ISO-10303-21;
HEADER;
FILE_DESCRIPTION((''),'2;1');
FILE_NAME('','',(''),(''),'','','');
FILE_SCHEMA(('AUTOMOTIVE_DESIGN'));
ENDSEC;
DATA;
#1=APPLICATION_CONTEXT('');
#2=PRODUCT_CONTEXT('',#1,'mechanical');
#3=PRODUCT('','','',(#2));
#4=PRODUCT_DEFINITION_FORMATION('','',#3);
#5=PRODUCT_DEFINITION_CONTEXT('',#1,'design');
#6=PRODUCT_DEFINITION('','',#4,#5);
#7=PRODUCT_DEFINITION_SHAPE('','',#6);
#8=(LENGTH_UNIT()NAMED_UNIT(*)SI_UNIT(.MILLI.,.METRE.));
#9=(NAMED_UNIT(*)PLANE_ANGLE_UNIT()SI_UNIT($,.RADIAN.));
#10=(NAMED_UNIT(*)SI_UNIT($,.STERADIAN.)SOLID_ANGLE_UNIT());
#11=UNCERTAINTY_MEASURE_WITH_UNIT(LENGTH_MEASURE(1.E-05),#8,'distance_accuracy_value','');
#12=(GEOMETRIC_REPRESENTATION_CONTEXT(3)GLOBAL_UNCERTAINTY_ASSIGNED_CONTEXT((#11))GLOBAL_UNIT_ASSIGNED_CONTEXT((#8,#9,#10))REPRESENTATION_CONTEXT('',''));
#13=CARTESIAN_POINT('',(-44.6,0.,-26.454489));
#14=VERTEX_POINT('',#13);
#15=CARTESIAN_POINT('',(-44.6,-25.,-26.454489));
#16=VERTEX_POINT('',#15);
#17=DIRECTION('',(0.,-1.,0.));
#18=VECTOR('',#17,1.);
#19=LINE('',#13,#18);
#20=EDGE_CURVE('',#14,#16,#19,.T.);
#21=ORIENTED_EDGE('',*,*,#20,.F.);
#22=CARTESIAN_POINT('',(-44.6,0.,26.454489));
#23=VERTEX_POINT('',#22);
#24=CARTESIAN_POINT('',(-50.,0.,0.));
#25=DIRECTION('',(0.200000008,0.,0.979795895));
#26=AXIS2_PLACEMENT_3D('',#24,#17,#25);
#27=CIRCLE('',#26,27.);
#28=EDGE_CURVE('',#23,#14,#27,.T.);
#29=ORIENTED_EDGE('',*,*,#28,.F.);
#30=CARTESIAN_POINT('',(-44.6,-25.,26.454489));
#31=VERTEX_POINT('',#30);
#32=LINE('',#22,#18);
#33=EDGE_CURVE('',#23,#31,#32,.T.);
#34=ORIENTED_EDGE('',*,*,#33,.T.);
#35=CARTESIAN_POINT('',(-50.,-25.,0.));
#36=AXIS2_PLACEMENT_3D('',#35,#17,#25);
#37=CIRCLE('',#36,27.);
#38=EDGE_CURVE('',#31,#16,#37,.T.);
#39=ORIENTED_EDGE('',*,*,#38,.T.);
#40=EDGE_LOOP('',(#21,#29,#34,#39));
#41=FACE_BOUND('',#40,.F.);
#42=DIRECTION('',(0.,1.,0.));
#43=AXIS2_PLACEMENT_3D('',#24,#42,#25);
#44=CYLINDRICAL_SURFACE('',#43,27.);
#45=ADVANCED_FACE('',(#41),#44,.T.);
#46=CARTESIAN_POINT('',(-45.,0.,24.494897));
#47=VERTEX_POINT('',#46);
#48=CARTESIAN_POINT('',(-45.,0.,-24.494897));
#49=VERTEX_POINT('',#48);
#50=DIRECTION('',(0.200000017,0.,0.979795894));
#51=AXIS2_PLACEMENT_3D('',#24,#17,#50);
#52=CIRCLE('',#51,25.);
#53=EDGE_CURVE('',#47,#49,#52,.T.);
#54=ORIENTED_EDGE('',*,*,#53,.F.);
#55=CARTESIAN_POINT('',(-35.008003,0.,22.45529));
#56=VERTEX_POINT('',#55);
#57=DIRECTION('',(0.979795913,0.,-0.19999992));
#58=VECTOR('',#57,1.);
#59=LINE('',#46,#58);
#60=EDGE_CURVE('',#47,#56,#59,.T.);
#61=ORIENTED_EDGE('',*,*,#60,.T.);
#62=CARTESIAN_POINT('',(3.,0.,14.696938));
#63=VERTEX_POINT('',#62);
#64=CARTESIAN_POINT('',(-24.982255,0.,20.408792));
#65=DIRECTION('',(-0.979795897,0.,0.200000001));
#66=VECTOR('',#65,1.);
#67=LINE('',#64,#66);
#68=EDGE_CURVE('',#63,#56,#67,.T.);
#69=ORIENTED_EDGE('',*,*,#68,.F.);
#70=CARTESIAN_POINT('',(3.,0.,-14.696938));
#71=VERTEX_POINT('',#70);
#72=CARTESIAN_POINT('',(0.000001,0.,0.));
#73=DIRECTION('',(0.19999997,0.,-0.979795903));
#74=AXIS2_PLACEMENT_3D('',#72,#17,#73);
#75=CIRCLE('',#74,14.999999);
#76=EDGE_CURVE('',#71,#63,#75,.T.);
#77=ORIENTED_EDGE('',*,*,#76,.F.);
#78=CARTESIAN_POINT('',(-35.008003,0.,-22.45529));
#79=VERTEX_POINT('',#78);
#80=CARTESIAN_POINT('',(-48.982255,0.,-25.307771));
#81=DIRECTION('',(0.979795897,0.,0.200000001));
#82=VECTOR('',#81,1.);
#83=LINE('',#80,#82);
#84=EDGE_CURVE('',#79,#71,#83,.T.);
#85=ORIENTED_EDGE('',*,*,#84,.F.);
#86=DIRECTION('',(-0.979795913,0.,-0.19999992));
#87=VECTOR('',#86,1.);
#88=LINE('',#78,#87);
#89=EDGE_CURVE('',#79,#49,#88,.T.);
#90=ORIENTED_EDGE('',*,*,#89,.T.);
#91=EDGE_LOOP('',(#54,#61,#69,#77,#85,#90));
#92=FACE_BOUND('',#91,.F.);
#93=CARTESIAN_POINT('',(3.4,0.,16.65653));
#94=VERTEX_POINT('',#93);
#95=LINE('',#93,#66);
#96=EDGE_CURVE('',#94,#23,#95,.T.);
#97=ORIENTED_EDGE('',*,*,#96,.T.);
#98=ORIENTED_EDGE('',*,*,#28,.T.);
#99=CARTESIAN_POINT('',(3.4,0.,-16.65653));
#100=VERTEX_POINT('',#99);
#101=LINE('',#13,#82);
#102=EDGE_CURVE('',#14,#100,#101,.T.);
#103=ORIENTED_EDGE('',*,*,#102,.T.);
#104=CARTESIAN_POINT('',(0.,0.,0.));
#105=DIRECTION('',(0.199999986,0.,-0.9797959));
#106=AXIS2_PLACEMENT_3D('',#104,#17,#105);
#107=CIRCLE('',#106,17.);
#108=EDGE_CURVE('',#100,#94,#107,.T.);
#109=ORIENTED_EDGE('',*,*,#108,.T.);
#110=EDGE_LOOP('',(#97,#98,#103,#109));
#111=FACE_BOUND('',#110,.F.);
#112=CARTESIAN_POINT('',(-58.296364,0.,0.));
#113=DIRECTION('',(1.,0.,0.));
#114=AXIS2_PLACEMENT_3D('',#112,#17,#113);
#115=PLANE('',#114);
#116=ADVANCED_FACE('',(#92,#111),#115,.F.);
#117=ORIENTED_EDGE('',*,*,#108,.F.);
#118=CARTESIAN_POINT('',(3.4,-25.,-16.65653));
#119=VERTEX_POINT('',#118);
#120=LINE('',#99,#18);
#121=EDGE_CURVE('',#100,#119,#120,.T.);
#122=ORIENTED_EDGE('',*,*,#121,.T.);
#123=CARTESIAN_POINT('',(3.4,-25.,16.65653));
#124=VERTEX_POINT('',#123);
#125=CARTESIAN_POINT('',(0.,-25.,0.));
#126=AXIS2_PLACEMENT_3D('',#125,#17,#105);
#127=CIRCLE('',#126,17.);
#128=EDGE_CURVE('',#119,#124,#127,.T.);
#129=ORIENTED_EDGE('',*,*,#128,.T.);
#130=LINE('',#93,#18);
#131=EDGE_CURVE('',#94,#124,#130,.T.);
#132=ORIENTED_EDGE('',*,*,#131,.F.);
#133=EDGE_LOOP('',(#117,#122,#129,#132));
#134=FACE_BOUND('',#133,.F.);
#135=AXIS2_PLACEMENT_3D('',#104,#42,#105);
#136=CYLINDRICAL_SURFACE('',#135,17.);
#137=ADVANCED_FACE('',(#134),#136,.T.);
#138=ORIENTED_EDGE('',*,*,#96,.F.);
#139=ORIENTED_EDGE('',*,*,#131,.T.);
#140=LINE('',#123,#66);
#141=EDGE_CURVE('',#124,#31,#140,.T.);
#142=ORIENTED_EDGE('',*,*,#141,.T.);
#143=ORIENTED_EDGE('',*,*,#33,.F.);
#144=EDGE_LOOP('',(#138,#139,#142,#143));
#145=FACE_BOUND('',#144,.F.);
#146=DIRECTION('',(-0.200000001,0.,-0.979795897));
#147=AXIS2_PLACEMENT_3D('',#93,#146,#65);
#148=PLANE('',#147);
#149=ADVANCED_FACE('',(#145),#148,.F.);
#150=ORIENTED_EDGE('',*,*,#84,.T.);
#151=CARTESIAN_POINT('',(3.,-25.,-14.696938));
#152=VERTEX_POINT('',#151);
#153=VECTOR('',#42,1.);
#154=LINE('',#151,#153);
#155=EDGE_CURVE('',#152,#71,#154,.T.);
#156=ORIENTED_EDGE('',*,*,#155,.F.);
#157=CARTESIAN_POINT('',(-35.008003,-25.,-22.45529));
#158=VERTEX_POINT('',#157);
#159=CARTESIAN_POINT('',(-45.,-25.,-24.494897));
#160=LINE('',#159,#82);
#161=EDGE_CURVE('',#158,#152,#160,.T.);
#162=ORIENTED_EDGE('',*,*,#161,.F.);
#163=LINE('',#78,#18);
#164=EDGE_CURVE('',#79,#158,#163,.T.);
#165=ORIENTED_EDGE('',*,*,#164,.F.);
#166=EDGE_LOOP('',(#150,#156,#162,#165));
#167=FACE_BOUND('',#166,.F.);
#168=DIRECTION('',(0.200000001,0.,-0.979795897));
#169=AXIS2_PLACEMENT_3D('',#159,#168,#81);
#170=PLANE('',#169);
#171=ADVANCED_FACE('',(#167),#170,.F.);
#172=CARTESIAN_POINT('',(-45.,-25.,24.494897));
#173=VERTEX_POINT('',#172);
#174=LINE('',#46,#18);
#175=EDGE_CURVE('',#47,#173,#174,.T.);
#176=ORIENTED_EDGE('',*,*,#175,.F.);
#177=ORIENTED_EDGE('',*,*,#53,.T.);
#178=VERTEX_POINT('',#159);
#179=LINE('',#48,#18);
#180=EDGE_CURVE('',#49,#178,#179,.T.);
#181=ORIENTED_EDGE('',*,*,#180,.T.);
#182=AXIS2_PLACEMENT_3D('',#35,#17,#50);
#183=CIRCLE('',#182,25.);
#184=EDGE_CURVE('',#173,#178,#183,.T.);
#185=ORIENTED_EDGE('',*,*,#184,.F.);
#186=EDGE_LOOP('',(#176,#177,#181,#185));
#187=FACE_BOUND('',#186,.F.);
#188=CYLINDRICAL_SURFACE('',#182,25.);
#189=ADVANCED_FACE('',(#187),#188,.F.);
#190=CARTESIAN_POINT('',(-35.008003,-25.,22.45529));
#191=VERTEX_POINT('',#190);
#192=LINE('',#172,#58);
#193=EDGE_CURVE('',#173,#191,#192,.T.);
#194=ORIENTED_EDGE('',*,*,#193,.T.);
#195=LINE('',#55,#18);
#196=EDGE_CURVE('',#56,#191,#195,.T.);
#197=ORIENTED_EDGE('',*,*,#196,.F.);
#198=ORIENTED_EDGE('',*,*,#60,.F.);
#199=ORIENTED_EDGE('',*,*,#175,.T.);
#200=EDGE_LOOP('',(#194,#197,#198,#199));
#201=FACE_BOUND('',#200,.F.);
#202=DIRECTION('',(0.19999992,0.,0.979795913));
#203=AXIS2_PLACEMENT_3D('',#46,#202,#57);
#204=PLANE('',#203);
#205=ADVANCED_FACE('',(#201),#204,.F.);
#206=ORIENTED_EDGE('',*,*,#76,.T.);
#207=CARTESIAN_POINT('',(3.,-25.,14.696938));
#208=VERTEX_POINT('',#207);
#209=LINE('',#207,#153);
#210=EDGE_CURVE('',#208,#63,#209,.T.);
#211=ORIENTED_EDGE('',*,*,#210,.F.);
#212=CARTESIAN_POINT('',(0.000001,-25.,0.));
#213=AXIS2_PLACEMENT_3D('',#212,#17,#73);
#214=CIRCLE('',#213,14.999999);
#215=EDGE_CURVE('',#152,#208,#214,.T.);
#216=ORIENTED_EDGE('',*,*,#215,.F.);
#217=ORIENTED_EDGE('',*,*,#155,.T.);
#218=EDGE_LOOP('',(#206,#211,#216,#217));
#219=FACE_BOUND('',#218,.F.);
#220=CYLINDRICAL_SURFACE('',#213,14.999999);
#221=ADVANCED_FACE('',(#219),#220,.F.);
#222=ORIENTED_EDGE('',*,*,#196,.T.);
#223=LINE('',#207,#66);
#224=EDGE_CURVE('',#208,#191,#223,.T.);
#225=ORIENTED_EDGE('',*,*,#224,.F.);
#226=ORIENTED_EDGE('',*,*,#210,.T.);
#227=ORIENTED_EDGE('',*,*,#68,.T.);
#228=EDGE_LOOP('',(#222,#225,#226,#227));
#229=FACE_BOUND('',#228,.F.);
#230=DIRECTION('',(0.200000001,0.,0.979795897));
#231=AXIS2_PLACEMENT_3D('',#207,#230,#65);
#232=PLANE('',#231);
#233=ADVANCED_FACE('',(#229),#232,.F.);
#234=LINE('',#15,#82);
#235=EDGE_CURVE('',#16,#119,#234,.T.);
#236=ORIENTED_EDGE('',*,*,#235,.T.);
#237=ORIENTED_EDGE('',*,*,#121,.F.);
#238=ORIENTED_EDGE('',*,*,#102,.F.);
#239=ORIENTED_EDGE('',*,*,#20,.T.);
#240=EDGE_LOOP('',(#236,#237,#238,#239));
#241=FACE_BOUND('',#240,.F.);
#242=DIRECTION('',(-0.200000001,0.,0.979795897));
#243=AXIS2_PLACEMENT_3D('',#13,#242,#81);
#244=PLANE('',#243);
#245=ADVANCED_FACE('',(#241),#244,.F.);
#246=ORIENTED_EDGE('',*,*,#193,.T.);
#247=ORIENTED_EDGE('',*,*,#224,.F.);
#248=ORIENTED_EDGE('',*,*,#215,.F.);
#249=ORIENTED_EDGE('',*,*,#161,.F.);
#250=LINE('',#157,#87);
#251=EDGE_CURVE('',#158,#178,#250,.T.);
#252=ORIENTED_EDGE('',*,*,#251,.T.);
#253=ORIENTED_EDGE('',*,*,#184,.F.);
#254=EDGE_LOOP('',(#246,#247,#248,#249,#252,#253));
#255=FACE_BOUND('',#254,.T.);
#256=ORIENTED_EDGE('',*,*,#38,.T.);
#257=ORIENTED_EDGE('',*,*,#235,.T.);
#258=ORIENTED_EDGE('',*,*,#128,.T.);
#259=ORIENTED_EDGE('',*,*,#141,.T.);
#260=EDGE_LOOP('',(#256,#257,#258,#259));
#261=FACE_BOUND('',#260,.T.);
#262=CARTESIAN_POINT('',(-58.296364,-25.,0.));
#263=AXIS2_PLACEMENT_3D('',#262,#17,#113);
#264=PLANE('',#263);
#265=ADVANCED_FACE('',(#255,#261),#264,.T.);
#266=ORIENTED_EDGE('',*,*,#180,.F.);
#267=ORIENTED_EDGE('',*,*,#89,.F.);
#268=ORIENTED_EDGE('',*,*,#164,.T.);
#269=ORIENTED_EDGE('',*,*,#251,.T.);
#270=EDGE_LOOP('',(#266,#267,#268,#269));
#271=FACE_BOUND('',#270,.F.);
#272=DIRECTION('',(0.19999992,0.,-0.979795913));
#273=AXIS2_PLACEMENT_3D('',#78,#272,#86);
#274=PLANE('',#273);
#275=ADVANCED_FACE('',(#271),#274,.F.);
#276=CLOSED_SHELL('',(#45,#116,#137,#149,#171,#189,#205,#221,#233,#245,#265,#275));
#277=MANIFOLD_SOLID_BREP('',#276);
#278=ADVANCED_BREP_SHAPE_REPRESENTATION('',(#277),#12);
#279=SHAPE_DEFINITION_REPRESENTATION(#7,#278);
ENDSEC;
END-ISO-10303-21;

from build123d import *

# Parameters (mm, degrees)
F0_R     = 15
F1_DEPTH = 25
F3_DEPTH = 25.001


with BuildPart() as f1:
    # F0 (on Front) → F1 (new body)
    with BuildSketch(Plane.XZ):
        with BuildLine():
            ThreePointArc((-45, -24.494897), (-75, 0), (-45, 24.494897))
            Line((-45, 24.494897), (-35.008003, 22.45529))
            ThreePointArc((-35.008003, 22.45529), (-39.609775, 24.920739), (-44.6, 26.454489))
            ThreePointArc((-44.6, 26.454489), (-77, 0), (-44.6, -26.454489))
            ThreePointArc((-44.6, -26.454489), (-39.609775, -24.920739), (-35.008003, -22.45529))
            Line((-35.008003, -22.45529), (-45, -24.494897))
        make_face()
        with BuildLine():
            ThreePointArc((-44.6, 26.454489), (-39.609775, 24.920739), (-35.008003, 22.45529))
            Line((-35.008003, 22.45529), (-4.838367, 16.296938))
            ThreePointArc((-4.838367, 16.296938), (-0.741317, 16.983829), (3.4, 16.65653))
            Line((3.4, 16.65653), (-44.6, 26.454489))
        make_face()
        with BuildLine():
            Line((-4.838367, 16.296938), (-35.008003, 22.45529))
            ThreePointArc((-35.008003, 22.45529), (-26.190507, 12.732166), (-23, 0))
            ThreePointArc((-23, 0), (-26.190507, -12.732166), (-35.008003, -22.45529))
            Line((-35.008003, -22.45529), (-4.838367, -16.296938))
            ThreePointArc((-4.838367, -16.296938), (-0.741317, -16.983829), (3.4, -16.65653))
            ThreePointArc((3.4, -16.65653), (17, 0), (3.4, 16.65653))
            ThreePointArc((3.4, 16.65653), (-0.741317, 16.983829), (-4.838367, 16.296938))
        make_face()
        Circle(F0_R, mode=Mode.SUBTRACT)
        with BuildLine():
            Line((-4.838367, -16.296938), (-35.008003, -22.45529))
            ThreePointArc((-35.008003, -22.45529), (-39.609775, -24.920739), (-44.6, -26.454489))
            Line((-44.6, -26.454489), (3.4, -16.65653))
            ThreePointArc((3.4, -16.65653), (-0.741317, -16.983829), (-4.838367, -16.296938))
        make_face()
        with BuildLine():
            ThreePointArc((-45, -24.494897), (-30.635083, -15.811388), (-25, 0))
            ThreePointArc((-25, 0), (-30.635083, 15.811388), (-45, 24.494897))
            ThreePointArc((-45, 24.494897), (-75, 0), (-45, -24.494897))
        make_face()
        Circle(F0_R)
    extrude(amount=F1_DEPTH)

    # F2 (on face) → F3 (cut, through all)
    with BuildSketch(Plane.XZ.offset(25)):
        with BuildLine():
            ThreePointArc((3, -14.696938), (15, 0), (3, 14.696938))
            Line((3, 14.696938), (-45, 24.494897))
            ThreePointArc((-45, 24.494897), (-75, 0), (-45, -24.494897))
            Line((-45, -24.494897), (3, -14.696938))
        make_face()
    extrude(amount=-F3_DEPTH, mode=Mode.SUBTRACT)


solid = f1.part
